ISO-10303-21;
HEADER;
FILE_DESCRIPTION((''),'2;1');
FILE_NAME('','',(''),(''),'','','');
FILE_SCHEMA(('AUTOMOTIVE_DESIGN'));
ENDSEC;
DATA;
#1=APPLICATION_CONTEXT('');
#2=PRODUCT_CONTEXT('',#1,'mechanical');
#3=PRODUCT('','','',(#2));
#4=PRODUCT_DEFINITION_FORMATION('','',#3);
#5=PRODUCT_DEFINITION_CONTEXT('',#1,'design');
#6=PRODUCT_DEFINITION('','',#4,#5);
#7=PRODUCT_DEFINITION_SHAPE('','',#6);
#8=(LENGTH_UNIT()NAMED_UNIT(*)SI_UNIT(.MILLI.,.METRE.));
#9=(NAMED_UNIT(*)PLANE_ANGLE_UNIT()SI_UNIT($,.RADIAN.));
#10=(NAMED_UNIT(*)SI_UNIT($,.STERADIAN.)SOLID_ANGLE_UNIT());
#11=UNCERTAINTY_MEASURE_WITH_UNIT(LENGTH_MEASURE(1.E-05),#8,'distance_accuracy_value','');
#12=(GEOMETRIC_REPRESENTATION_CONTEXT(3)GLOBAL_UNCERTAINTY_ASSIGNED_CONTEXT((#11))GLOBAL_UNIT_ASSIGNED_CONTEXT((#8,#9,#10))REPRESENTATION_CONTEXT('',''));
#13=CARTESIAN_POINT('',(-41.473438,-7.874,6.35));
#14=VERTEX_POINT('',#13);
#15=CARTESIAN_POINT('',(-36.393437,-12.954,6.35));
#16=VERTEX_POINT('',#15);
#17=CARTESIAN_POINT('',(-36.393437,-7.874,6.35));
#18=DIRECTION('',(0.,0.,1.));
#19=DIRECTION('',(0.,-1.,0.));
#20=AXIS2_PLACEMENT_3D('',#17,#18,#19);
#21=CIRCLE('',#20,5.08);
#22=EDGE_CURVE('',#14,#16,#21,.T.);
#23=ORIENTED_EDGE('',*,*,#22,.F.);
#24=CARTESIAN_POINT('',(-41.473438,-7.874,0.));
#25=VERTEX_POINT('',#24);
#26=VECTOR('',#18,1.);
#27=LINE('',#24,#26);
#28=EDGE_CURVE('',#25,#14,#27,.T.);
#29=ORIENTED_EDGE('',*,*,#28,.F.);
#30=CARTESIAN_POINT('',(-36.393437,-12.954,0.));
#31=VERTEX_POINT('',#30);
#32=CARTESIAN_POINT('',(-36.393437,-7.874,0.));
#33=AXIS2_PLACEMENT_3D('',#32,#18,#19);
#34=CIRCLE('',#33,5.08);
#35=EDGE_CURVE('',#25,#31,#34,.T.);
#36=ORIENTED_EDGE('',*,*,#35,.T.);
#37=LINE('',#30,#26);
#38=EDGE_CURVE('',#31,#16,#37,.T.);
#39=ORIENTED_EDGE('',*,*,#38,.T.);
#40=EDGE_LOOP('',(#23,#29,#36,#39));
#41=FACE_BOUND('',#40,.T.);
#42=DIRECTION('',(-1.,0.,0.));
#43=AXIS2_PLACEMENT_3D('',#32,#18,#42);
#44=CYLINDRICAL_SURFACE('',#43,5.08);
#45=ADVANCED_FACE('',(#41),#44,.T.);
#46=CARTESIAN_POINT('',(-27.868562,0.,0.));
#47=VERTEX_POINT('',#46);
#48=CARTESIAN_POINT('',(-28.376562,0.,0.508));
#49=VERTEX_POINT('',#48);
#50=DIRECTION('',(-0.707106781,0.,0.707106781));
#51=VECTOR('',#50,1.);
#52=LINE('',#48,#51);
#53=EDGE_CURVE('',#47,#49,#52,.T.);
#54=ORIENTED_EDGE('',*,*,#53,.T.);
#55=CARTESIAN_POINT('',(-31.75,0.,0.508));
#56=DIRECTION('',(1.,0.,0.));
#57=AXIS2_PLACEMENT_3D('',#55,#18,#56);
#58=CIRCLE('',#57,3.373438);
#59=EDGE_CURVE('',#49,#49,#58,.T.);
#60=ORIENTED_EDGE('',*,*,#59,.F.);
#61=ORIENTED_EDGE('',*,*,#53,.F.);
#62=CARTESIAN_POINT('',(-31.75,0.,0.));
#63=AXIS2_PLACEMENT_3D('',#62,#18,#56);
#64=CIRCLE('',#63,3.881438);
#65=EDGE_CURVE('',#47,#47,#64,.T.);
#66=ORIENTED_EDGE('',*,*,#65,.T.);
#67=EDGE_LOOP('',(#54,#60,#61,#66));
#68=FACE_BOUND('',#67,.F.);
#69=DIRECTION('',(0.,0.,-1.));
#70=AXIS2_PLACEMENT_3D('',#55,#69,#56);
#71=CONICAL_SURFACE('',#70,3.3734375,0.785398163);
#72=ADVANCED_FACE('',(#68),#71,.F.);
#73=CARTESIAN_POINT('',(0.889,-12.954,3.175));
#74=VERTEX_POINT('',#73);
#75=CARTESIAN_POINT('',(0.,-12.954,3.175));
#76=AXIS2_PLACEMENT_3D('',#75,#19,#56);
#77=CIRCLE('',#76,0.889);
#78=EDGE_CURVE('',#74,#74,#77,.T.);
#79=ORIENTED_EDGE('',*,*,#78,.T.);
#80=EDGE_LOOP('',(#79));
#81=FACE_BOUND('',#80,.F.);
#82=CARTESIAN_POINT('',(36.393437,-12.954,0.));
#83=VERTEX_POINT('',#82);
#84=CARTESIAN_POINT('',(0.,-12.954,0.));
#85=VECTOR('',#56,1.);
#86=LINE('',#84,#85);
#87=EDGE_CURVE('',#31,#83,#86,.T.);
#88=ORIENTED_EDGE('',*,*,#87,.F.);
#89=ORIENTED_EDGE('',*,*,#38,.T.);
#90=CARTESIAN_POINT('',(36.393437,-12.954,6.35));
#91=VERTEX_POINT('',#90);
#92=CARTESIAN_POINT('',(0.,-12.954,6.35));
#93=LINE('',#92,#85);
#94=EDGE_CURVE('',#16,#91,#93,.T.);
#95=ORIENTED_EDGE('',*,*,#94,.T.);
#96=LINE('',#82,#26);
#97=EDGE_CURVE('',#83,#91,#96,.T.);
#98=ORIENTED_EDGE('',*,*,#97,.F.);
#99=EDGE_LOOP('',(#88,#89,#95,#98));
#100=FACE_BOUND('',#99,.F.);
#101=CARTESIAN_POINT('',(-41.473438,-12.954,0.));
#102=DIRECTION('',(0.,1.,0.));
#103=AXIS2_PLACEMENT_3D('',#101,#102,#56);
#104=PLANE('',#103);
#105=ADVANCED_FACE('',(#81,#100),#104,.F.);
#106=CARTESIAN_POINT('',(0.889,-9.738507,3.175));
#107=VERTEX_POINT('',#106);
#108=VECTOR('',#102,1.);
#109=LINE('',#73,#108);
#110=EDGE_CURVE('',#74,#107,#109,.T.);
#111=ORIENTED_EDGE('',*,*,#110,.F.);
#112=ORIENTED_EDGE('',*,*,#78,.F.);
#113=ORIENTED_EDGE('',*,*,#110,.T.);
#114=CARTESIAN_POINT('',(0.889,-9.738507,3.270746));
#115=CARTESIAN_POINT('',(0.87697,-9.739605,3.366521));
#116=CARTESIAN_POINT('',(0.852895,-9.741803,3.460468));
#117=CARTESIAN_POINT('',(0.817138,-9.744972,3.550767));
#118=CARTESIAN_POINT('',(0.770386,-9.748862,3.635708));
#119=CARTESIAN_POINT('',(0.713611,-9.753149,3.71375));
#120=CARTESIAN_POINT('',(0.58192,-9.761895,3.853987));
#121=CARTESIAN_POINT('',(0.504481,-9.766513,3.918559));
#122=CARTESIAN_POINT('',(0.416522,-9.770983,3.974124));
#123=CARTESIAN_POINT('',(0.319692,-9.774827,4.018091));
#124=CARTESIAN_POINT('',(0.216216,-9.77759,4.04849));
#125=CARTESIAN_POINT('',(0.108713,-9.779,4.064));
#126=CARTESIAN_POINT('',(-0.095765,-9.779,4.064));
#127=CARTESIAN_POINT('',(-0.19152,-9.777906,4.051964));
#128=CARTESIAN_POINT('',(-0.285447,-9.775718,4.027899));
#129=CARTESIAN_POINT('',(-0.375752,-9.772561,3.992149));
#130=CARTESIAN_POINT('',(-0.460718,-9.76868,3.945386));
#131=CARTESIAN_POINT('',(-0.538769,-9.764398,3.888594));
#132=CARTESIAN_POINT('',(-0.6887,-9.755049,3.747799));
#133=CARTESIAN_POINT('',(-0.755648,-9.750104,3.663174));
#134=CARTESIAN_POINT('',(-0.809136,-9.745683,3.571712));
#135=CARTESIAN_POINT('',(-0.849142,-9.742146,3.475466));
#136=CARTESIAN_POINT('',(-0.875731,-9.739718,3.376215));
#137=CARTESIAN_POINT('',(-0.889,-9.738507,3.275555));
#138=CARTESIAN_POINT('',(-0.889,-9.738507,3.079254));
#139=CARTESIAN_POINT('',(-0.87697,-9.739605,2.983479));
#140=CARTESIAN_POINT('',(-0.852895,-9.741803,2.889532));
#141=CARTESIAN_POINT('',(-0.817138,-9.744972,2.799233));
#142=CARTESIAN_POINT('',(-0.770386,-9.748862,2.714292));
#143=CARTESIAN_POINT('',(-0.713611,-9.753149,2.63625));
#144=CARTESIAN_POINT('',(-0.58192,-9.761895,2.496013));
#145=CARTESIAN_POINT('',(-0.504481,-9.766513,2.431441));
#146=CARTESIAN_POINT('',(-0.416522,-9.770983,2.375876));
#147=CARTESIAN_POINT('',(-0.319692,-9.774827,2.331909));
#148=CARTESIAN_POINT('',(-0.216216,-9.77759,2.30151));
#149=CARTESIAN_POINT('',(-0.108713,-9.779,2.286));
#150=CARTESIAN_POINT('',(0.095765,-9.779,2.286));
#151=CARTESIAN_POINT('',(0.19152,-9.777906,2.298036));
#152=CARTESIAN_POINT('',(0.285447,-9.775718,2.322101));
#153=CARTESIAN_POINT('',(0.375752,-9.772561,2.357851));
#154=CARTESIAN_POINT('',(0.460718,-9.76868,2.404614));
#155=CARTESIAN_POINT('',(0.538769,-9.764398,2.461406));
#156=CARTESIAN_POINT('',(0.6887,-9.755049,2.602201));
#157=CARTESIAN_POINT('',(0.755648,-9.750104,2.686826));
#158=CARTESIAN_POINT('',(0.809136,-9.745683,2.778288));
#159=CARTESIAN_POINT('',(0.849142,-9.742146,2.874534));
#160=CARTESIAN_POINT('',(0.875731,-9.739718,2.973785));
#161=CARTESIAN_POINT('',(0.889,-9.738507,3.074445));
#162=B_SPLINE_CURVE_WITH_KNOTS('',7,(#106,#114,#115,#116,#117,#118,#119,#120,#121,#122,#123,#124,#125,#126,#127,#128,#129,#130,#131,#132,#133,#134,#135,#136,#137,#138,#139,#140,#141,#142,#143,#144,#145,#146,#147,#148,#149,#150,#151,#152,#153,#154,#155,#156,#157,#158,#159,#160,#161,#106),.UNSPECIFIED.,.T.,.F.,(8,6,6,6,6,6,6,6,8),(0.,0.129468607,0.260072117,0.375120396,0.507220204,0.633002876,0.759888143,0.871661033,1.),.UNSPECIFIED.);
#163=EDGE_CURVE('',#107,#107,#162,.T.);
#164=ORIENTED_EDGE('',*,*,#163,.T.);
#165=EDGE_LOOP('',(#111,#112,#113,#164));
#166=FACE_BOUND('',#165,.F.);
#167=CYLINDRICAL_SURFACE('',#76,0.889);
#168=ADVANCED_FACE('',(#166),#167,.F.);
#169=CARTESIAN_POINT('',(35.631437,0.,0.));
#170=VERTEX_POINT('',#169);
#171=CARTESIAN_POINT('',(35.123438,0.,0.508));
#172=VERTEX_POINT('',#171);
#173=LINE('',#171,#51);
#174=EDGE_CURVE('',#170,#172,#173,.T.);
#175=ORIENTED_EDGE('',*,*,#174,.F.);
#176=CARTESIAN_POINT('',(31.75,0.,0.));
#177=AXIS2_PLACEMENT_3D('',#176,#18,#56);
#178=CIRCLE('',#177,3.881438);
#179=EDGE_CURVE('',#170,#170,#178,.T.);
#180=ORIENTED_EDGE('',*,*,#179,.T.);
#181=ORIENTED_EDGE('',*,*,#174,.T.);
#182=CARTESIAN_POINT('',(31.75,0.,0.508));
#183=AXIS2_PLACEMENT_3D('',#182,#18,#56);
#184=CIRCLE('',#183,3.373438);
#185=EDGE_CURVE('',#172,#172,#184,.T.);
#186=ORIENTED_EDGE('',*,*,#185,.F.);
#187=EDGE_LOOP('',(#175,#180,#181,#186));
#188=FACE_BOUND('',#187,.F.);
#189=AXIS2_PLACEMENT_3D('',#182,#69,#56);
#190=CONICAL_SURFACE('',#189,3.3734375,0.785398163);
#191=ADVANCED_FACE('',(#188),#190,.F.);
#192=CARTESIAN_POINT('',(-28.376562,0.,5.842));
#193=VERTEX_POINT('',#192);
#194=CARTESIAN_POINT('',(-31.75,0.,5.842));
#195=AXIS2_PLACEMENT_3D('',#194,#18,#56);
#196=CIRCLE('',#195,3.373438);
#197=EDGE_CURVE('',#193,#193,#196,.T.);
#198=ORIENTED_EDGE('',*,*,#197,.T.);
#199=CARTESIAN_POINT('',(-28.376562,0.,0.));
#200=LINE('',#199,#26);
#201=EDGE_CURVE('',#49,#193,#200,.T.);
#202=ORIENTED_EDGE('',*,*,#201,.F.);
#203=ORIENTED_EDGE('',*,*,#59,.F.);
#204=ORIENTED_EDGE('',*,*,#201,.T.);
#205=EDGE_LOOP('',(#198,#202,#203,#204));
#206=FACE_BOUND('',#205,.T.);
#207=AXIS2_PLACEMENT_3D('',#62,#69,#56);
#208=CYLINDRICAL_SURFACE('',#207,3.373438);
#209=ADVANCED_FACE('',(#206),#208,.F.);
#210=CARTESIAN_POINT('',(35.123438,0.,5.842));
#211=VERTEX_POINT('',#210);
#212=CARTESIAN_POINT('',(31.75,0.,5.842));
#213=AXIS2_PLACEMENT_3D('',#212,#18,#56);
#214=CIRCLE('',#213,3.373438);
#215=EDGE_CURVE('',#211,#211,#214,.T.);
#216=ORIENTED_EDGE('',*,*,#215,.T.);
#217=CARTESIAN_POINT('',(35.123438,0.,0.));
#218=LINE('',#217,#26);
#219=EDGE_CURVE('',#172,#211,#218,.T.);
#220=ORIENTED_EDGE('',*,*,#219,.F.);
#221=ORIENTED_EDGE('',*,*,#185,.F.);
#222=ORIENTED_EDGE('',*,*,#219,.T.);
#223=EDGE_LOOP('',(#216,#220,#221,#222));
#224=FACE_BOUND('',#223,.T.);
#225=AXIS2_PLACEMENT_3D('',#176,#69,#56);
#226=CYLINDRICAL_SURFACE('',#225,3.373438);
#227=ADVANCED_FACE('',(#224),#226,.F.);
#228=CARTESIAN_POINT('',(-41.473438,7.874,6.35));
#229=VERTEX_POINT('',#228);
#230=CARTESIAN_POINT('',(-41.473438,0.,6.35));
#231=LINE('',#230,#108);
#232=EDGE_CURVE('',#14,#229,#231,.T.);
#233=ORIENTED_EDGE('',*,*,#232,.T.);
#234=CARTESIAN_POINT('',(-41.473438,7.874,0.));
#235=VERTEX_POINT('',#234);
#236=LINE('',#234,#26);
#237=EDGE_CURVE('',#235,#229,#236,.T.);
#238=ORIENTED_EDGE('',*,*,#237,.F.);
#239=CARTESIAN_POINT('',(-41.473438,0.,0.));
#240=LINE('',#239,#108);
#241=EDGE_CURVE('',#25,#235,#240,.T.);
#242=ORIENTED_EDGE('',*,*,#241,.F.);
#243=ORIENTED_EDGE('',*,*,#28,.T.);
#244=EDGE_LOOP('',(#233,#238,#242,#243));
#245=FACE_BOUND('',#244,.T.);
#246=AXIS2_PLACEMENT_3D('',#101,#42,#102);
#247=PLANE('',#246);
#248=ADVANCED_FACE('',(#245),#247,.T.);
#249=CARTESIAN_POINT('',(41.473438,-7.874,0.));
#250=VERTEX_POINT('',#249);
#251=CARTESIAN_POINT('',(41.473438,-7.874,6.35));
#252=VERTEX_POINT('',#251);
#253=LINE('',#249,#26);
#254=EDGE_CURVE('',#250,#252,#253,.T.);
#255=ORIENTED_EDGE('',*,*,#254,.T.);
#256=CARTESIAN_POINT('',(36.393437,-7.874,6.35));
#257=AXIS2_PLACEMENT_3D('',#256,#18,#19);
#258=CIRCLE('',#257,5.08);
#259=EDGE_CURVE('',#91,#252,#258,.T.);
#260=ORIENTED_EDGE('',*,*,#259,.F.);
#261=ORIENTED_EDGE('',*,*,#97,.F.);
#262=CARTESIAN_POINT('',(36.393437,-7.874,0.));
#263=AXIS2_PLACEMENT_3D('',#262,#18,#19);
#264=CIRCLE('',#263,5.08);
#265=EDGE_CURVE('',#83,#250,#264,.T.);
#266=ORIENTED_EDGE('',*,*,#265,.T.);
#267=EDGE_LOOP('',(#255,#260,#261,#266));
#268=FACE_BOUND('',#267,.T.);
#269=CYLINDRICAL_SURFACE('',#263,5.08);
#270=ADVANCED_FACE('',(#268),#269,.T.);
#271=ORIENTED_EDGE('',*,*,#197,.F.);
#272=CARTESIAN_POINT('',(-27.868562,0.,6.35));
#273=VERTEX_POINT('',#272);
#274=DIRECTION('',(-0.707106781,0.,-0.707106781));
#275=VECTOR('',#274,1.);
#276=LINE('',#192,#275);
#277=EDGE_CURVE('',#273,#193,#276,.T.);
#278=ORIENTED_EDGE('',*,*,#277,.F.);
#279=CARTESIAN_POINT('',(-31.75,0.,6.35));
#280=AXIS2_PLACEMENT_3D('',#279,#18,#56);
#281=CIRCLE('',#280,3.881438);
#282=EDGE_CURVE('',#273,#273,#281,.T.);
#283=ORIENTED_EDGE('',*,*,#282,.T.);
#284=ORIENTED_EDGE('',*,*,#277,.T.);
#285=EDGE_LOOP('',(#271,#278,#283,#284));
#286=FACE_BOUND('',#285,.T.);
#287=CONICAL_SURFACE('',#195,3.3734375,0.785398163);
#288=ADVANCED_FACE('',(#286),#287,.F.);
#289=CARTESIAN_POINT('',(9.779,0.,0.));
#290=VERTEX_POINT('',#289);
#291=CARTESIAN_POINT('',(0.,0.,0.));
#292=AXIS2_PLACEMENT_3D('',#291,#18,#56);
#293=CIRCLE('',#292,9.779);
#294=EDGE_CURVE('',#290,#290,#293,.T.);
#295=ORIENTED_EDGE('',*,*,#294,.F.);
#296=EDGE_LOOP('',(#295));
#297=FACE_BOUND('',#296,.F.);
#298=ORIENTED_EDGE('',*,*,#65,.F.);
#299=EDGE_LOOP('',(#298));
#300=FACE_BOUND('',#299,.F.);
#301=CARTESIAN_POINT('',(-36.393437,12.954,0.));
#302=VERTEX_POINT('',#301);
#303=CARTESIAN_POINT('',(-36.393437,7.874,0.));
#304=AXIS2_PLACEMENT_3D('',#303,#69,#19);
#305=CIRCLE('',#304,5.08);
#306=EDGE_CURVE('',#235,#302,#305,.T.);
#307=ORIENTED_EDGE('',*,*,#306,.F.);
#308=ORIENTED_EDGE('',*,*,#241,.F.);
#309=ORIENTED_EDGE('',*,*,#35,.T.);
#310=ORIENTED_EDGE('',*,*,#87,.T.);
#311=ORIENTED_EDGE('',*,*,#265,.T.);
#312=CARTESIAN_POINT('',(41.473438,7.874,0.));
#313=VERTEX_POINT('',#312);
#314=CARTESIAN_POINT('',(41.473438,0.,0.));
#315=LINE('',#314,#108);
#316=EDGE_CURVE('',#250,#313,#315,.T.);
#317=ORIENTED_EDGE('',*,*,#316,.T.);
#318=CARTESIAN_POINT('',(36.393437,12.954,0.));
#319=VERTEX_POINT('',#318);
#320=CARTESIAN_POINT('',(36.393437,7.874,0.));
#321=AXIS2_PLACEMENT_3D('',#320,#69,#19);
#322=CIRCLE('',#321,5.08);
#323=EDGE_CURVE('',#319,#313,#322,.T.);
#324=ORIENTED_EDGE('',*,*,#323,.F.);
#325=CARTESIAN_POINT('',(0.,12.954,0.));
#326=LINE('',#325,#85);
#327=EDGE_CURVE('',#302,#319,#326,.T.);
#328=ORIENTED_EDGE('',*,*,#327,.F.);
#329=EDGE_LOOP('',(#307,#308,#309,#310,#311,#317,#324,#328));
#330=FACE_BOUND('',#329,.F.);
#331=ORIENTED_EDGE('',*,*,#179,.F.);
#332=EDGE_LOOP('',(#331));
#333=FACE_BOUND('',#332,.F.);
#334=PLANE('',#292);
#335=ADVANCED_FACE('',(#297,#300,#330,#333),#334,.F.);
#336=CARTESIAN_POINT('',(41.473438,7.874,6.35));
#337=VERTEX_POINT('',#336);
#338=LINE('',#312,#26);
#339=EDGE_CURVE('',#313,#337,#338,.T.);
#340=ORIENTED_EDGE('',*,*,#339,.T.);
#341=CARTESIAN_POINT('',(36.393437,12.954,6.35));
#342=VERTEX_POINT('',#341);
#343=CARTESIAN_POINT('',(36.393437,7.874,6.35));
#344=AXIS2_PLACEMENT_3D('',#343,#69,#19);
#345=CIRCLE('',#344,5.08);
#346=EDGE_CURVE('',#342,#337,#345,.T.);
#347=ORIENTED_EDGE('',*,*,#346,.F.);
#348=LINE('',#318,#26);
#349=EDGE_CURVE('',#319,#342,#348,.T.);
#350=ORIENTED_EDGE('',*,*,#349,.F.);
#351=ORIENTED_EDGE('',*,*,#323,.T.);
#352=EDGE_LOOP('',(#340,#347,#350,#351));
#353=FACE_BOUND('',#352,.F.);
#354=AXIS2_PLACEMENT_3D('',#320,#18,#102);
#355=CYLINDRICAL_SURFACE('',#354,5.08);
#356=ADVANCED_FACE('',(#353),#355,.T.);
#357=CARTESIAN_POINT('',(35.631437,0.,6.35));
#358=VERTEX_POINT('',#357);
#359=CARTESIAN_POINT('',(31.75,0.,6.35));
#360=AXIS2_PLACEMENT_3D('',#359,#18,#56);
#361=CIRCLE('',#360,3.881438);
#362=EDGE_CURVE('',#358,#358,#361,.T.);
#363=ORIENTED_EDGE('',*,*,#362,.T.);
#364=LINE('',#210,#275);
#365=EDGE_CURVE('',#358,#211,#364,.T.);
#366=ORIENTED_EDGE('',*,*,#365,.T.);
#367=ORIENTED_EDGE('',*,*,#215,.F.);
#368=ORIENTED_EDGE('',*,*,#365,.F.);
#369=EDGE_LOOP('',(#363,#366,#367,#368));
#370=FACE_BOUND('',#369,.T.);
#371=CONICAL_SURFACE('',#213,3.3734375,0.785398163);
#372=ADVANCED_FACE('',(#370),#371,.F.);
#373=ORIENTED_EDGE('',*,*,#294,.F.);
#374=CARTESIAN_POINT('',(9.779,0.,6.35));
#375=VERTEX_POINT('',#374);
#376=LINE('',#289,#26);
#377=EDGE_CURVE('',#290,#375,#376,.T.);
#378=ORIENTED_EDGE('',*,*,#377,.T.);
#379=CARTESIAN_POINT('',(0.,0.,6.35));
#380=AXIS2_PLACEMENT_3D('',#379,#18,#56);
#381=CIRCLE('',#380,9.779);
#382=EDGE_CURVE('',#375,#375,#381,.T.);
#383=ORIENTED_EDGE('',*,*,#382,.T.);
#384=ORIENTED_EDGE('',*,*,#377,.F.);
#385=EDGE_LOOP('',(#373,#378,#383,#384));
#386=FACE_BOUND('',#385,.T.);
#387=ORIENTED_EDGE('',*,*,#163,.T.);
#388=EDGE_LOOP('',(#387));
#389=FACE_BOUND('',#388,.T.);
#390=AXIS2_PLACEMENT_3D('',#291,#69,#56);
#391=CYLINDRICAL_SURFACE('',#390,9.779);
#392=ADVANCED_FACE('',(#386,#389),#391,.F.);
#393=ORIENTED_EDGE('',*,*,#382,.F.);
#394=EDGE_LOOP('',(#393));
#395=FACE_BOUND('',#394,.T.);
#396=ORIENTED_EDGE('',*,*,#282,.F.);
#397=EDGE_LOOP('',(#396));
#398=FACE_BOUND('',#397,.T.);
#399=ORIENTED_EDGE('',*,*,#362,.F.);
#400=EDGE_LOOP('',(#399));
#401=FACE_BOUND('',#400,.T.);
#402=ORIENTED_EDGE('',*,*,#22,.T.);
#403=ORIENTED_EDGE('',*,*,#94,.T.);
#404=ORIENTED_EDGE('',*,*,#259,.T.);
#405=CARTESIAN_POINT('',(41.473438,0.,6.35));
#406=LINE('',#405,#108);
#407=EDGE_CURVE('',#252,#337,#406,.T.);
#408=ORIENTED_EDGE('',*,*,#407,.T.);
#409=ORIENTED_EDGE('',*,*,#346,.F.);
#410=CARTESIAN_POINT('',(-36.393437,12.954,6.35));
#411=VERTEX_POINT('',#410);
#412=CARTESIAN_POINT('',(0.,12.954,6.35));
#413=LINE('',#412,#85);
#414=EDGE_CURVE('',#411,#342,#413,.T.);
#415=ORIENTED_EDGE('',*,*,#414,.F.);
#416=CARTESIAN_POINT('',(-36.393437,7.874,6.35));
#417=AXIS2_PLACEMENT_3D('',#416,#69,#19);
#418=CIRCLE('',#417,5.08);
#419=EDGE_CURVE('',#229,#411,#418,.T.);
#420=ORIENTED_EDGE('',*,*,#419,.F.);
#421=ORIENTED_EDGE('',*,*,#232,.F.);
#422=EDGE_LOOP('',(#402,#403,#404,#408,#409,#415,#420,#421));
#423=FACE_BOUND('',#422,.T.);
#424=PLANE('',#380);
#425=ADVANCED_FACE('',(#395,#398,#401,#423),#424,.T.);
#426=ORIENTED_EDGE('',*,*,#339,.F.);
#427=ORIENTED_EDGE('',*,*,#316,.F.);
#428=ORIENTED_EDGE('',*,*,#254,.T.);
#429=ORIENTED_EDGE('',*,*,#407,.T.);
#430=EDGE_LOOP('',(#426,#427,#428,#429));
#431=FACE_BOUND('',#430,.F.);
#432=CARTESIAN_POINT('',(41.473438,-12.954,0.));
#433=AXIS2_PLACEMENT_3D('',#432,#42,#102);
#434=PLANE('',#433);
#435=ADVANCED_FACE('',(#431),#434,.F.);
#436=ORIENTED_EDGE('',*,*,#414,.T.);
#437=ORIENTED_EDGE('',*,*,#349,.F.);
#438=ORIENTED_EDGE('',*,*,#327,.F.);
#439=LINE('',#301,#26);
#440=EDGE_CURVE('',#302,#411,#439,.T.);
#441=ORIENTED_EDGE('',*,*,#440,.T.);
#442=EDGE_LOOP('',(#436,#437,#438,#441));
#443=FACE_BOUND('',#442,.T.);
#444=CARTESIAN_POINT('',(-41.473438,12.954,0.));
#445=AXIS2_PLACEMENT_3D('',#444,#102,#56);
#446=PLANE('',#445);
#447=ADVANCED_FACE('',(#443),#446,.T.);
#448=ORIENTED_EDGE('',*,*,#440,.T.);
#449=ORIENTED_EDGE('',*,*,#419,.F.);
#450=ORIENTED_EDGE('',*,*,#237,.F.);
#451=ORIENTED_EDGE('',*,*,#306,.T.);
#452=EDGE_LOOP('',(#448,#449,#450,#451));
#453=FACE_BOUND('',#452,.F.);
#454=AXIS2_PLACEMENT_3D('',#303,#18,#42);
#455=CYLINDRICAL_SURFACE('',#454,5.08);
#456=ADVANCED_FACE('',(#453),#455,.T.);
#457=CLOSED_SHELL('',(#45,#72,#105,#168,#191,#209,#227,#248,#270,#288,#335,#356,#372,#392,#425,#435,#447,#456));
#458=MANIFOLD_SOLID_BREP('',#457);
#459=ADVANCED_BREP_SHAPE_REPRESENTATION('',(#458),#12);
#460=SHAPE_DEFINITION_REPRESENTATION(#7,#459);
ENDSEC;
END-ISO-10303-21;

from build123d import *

# Parameters (mm, degrees)
F0_W     = 82.946875
F0_H     = 25.908
F0_R     = 3.3734375
F0_R_2   = 9.779
F1_DEPTH = 6.35
F2_R     = 0.889
F3_DEPTH = 3.2164930276
F4_R     = 5.08
F5_SIZE  = 0.508


with BuildPart() as f1:
    # F0 (on Top) → F1 (new body)
    with BuildSketch(Plane.XY):
        Rectangle(F0_W, F0_H)
        with Locations((-31.75, 0)):
            Circle(F0_R, mode=Mode.SUBTRACT)
        Circle(F0_R_2, mode=Mode.SUBTRACT)
        with Locations((31.75, 0)):
            Circle(F0_R, mode=Mode.SUBTRACT)
    extrude(amount=F1_DEPTH)

    # F2 (on face) → F3 (cut, through all)
    with BuildSketch(Plane.XZ.offset(12.954)):
        with Locations((0, 3.175)):
            Circle(F2_R)
    extrude(amount=-F3_DEPTH, mode=Mode.SUBTRACT)

    # F4
    f4_edges = [f1.edges().sort_by_distance(p)[0] for p in [
        (41.473438, -12.954, 3.175),
        (41.473438, 12.954, 3.175),
        (-41.473438, -12.954, 3.175),
        (-41.473438, 12.954, 3.175),
    ]]
    fillet(f4_edges, radius=F4_R)

    # F5
    f5_edges = [f1.edges().sort_by_distance(p)[0] for p in [
        (-35.123438, 0, 6.35),
        (28.376562, 0, 6.35),
        (-35.123438, 0, 0),
        (28.376562, 0, 0),
    ]]
    chamfer(f5_edges, length=F5_SIZE)


solid = f1.part
